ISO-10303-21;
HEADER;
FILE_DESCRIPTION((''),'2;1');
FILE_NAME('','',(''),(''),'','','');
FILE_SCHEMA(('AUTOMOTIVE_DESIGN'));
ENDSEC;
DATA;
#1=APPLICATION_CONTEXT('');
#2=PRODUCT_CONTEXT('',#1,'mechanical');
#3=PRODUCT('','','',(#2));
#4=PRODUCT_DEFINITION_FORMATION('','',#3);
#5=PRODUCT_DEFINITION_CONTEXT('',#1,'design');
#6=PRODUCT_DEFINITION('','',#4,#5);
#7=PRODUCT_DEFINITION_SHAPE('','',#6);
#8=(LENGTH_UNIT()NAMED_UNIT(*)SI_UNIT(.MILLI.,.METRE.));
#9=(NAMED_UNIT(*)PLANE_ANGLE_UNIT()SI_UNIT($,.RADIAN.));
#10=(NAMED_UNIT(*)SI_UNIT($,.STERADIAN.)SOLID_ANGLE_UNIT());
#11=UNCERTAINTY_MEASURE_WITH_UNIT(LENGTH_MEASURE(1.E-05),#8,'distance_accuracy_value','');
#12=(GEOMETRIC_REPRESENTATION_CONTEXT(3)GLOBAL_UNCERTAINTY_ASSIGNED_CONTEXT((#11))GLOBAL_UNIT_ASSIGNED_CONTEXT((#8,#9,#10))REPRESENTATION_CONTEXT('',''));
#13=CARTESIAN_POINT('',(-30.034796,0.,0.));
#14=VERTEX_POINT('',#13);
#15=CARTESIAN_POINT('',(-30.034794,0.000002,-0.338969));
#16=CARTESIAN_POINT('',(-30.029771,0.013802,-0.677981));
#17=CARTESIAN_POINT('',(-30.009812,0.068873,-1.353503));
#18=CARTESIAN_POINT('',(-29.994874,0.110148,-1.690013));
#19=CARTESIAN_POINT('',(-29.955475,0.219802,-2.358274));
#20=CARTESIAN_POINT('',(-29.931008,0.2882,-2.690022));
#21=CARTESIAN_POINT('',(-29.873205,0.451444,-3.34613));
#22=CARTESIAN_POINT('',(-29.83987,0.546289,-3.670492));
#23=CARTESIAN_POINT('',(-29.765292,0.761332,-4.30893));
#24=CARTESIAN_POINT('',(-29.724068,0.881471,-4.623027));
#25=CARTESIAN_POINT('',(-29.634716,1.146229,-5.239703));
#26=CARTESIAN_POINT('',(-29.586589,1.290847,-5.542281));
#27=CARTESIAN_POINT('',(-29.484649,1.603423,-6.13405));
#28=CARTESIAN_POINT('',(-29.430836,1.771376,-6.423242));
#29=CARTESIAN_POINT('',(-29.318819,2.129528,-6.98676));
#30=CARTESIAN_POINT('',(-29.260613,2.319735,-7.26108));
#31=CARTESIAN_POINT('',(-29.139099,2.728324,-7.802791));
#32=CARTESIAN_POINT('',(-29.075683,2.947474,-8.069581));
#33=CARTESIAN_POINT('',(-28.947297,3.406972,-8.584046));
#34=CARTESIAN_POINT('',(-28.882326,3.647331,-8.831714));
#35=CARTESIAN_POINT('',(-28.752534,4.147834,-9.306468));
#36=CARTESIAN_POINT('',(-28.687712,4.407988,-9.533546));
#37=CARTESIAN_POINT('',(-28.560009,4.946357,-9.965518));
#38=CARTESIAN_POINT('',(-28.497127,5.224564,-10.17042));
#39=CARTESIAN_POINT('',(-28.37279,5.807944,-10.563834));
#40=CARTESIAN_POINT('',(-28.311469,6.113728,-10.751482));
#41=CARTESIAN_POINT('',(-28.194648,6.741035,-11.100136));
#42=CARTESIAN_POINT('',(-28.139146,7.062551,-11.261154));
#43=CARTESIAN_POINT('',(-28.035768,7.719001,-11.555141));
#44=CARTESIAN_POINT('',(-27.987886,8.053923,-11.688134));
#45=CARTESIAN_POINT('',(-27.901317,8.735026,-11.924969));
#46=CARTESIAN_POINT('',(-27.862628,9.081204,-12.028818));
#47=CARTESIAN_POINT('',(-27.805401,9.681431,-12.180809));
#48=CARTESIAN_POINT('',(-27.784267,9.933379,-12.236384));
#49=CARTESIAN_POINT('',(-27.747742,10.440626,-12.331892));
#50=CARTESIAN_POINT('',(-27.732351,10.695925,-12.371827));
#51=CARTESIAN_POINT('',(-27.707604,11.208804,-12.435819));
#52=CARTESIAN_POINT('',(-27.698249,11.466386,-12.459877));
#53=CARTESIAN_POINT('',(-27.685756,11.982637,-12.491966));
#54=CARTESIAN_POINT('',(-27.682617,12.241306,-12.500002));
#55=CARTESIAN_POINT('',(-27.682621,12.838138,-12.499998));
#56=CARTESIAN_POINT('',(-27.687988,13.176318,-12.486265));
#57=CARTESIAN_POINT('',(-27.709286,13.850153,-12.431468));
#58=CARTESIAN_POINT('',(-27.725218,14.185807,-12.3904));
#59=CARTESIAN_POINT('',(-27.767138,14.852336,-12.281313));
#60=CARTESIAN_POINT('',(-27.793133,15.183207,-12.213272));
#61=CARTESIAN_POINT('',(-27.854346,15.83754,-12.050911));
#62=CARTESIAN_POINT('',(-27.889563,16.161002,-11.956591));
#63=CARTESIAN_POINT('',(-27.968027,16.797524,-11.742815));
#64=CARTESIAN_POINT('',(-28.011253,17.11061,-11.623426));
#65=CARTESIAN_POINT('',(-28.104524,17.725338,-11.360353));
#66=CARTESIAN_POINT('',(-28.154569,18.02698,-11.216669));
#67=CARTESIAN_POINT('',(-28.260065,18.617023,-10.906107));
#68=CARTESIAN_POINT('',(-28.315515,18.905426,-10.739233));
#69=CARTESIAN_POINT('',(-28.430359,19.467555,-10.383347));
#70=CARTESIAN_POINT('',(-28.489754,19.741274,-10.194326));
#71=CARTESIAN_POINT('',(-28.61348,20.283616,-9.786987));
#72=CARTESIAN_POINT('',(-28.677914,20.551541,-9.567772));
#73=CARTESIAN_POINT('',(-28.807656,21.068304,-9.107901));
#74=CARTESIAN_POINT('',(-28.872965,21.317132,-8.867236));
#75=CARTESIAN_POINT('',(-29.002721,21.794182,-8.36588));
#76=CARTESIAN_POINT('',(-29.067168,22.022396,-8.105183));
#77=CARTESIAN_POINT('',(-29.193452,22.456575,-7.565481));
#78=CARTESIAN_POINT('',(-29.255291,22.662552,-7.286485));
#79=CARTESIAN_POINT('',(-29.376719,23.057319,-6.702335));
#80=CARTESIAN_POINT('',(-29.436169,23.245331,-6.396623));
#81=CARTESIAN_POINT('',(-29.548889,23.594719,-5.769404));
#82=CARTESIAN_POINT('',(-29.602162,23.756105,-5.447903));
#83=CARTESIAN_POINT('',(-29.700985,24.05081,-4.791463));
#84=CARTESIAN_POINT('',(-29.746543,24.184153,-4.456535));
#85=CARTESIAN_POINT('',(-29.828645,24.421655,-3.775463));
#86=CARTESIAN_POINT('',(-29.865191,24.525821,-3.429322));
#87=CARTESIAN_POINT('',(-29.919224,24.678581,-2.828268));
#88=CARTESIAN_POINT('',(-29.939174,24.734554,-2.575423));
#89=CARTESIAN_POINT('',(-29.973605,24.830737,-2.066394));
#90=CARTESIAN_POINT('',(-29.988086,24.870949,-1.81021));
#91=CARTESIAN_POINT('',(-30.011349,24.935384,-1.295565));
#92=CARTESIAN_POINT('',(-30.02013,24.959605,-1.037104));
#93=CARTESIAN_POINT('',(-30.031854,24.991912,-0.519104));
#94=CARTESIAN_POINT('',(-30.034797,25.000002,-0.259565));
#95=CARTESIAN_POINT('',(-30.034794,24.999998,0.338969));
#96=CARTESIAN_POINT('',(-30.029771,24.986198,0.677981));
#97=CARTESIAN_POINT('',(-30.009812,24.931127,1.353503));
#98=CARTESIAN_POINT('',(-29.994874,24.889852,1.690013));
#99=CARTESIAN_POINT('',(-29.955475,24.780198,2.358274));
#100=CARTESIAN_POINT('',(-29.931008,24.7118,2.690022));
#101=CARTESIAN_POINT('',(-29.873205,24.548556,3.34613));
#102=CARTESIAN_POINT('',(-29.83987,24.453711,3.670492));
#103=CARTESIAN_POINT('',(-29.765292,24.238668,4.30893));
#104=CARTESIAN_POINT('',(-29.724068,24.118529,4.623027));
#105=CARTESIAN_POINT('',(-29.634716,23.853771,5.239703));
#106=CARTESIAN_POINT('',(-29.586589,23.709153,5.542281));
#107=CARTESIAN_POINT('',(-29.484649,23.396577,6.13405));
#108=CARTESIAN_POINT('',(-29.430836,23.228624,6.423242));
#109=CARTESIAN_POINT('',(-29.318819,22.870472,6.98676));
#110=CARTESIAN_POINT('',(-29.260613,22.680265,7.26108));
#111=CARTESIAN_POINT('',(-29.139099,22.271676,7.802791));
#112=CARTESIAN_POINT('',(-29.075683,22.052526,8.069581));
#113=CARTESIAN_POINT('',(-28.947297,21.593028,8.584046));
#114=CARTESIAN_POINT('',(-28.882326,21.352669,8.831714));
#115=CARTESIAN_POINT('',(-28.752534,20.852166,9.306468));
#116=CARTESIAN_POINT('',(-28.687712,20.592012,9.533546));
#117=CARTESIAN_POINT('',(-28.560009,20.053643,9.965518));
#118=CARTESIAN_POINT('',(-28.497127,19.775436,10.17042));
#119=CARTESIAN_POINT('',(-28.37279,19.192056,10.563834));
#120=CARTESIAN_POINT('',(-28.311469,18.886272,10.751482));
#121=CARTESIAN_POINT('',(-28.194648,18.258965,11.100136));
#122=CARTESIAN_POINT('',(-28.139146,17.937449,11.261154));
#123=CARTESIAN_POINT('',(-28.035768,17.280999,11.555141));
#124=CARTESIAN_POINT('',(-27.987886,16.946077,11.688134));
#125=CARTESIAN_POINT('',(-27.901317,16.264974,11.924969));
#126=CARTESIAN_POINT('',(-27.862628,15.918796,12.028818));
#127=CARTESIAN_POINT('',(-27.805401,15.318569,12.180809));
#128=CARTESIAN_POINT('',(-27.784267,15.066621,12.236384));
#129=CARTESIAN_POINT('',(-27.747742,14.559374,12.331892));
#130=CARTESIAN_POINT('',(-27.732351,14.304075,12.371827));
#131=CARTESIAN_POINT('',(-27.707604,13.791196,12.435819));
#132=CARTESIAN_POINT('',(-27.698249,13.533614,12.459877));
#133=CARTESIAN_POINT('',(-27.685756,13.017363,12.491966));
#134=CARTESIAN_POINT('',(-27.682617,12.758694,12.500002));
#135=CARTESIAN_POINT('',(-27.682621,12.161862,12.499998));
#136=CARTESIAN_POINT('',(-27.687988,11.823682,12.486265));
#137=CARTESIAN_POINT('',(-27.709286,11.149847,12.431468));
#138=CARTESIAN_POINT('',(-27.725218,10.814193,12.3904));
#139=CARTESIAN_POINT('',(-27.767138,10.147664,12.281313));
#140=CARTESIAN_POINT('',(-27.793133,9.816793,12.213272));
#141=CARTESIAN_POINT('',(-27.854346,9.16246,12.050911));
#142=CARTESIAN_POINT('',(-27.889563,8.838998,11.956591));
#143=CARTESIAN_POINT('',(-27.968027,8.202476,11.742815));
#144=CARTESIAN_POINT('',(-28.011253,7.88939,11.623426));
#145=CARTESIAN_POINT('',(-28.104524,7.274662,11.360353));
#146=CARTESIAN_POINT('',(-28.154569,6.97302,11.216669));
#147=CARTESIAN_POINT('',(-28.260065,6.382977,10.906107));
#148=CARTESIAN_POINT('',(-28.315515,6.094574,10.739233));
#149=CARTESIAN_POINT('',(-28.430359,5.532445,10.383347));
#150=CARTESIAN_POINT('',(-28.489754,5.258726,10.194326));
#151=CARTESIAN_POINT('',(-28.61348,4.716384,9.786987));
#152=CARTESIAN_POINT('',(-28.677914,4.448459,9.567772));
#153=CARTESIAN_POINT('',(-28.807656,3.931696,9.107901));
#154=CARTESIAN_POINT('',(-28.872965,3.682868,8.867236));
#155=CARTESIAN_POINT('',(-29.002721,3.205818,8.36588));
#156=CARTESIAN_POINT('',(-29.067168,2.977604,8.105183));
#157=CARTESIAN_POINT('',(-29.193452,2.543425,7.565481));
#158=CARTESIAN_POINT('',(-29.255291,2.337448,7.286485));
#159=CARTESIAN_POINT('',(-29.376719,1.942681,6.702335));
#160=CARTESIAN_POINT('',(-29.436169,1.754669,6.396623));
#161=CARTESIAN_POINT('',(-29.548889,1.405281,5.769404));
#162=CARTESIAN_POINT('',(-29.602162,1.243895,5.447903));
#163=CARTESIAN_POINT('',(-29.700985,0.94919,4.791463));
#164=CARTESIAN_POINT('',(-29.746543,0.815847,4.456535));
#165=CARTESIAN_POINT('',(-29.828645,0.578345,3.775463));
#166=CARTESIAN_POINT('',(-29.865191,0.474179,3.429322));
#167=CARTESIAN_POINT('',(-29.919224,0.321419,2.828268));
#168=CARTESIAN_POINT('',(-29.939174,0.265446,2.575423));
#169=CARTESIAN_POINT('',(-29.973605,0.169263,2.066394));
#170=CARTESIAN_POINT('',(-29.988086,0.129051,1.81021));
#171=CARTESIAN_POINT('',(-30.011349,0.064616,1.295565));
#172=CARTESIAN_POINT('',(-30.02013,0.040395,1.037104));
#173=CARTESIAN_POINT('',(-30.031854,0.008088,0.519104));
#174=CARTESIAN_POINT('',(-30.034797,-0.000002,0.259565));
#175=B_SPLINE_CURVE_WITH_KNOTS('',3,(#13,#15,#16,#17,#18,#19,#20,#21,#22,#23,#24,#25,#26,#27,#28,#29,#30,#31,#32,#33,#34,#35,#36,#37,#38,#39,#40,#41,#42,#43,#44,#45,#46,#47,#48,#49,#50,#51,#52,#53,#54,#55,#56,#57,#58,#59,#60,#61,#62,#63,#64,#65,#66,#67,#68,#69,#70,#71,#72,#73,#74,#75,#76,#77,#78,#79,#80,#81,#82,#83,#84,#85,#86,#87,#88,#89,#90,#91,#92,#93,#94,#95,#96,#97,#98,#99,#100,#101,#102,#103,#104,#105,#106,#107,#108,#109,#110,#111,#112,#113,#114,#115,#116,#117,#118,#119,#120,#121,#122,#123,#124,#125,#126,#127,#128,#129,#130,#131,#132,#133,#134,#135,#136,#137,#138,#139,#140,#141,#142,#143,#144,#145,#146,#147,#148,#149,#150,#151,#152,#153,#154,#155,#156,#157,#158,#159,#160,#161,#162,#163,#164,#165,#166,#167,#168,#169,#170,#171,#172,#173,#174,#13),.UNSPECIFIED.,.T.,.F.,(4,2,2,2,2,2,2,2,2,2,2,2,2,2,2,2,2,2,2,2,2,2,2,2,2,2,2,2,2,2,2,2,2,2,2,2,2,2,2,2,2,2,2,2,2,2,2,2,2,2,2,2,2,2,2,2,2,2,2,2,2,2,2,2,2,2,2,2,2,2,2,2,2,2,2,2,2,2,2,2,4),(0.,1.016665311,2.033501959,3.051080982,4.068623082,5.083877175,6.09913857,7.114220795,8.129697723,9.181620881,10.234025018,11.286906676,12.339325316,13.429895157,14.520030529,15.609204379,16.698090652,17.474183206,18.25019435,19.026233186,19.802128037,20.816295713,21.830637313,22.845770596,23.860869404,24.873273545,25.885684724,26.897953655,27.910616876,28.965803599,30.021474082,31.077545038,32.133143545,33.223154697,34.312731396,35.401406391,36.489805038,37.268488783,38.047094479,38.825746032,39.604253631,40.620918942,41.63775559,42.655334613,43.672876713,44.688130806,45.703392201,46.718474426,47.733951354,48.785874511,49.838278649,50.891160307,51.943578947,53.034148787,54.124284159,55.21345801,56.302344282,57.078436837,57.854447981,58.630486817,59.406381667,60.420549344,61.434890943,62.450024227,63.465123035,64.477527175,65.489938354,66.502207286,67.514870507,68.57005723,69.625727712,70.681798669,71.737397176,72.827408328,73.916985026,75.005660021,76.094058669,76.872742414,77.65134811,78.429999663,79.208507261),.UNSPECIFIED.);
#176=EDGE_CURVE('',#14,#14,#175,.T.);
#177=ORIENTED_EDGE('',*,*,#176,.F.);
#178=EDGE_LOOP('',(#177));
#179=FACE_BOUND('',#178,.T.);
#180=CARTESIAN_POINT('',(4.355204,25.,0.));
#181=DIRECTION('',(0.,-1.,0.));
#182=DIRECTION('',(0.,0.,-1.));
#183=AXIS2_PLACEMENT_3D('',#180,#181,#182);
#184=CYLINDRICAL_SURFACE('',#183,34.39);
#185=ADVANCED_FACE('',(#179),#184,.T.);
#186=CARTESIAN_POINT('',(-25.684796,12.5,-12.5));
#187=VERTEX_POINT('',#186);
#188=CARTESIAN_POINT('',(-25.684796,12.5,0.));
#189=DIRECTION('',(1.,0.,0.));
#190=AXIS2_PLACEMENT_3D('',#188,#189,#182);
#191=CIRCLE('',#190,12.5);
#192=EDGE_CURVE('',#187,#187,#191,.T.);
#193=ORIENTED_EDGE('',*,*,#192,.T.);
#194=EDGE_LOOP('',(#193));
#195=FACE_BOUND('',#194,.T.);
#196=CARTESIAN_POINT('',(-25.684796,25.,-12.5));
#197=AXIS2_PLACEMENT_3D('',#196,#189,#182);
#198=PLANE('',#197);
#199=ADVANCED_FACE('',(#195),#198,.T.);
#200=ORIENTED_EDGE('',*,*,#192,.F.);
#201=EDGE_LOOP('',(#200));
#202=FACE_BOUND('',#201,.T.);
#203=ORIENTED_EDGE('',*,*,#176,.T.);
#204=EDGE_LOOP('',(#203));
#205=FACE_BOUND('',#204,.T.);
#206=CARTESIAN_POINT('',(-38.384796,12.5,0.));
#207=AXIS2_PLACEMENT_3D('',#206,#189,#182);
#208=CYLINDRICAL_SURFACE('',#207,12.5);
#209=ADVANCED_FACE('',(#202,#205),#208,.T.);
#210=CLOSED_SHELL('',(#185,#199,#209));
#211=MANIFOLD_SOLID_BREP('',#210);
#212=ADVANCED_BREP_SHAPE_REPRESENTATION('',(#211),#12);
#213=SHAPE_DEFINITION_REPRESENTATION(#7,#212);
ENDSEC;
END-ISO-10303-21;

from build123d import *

# Parameters (mm, degrees)
EXTRUDE_1_DEPTH     = 25
CUT_EXTRUDE_8_DEPTH = 12.7


with BuildPart() as part:
    # 草图1 → 凸台-拉伸1 (new body)
    with BuildSketch(Plane(origin=(0, 0, 0), x_dir=(1, 0, 0), z_dir=(0, 1, 0))):
        with BuildLine():
            Line((-27.682618625, 12.5), (-25.684795665, 12.5))
            Line((-25.684795665, 12.5), (-25.684795665, -12.5))
            Line((-25.684795665, -12.5), (-27.682618625, -12.5))
            ThreePointArc((-27.682618625, -12.5), (-30.034795665, 0), (-27.682618625, 12.5))
        make_face()
    extrude(amount=EXTRUDE_1_DEPTH)

    # 草图2 → 切除-拉伸8 (cut)
    with BuildSketch(Plane(origin=(-25.684795665, 0, 0), x_dir=(0, 0, -1), z_dir=(1, 0, 0))):
        with BuildLine():
            Line((-12.5, 25), (-12.5, 12.5))
            ThreePointArc((-12.5, 12.5), (-8.838834765, 21.338834765), (0, 25))
            Line((0, 25), (-12.5, 25))
        make_face()
        with BuildLine():
            ThreePointArc((0, 25), (8.838834765, 21.338834765), (12.5, 12.5))
            Line((12.5, 12.5), (12.5, 25))
            Line((12.5, 25), (0, 25))
        make_face()
        with BuildLine():
            ThreePointArc((12.5, 12.5), (8.838834765, 3.661165235), (0, 0))
            Line((0, 0), (12.5, 0))
            Line((12.5, 0), (12.5, 12.5))
        make_face()
        with BuildLine():
            Line((-12.5, 12.5), (-12.5, 0))
            Line((-12.5, 0), (0, 0))
            ThreePointArc((0, 0), (-8.838834765, 3.661165235), (-12.5, 12.5))
        make_face()
    extrude(amount=-CUT_EXTRUDE_8_DEPTH, mode=Mode.SUBTRACT)


solid = part.part
